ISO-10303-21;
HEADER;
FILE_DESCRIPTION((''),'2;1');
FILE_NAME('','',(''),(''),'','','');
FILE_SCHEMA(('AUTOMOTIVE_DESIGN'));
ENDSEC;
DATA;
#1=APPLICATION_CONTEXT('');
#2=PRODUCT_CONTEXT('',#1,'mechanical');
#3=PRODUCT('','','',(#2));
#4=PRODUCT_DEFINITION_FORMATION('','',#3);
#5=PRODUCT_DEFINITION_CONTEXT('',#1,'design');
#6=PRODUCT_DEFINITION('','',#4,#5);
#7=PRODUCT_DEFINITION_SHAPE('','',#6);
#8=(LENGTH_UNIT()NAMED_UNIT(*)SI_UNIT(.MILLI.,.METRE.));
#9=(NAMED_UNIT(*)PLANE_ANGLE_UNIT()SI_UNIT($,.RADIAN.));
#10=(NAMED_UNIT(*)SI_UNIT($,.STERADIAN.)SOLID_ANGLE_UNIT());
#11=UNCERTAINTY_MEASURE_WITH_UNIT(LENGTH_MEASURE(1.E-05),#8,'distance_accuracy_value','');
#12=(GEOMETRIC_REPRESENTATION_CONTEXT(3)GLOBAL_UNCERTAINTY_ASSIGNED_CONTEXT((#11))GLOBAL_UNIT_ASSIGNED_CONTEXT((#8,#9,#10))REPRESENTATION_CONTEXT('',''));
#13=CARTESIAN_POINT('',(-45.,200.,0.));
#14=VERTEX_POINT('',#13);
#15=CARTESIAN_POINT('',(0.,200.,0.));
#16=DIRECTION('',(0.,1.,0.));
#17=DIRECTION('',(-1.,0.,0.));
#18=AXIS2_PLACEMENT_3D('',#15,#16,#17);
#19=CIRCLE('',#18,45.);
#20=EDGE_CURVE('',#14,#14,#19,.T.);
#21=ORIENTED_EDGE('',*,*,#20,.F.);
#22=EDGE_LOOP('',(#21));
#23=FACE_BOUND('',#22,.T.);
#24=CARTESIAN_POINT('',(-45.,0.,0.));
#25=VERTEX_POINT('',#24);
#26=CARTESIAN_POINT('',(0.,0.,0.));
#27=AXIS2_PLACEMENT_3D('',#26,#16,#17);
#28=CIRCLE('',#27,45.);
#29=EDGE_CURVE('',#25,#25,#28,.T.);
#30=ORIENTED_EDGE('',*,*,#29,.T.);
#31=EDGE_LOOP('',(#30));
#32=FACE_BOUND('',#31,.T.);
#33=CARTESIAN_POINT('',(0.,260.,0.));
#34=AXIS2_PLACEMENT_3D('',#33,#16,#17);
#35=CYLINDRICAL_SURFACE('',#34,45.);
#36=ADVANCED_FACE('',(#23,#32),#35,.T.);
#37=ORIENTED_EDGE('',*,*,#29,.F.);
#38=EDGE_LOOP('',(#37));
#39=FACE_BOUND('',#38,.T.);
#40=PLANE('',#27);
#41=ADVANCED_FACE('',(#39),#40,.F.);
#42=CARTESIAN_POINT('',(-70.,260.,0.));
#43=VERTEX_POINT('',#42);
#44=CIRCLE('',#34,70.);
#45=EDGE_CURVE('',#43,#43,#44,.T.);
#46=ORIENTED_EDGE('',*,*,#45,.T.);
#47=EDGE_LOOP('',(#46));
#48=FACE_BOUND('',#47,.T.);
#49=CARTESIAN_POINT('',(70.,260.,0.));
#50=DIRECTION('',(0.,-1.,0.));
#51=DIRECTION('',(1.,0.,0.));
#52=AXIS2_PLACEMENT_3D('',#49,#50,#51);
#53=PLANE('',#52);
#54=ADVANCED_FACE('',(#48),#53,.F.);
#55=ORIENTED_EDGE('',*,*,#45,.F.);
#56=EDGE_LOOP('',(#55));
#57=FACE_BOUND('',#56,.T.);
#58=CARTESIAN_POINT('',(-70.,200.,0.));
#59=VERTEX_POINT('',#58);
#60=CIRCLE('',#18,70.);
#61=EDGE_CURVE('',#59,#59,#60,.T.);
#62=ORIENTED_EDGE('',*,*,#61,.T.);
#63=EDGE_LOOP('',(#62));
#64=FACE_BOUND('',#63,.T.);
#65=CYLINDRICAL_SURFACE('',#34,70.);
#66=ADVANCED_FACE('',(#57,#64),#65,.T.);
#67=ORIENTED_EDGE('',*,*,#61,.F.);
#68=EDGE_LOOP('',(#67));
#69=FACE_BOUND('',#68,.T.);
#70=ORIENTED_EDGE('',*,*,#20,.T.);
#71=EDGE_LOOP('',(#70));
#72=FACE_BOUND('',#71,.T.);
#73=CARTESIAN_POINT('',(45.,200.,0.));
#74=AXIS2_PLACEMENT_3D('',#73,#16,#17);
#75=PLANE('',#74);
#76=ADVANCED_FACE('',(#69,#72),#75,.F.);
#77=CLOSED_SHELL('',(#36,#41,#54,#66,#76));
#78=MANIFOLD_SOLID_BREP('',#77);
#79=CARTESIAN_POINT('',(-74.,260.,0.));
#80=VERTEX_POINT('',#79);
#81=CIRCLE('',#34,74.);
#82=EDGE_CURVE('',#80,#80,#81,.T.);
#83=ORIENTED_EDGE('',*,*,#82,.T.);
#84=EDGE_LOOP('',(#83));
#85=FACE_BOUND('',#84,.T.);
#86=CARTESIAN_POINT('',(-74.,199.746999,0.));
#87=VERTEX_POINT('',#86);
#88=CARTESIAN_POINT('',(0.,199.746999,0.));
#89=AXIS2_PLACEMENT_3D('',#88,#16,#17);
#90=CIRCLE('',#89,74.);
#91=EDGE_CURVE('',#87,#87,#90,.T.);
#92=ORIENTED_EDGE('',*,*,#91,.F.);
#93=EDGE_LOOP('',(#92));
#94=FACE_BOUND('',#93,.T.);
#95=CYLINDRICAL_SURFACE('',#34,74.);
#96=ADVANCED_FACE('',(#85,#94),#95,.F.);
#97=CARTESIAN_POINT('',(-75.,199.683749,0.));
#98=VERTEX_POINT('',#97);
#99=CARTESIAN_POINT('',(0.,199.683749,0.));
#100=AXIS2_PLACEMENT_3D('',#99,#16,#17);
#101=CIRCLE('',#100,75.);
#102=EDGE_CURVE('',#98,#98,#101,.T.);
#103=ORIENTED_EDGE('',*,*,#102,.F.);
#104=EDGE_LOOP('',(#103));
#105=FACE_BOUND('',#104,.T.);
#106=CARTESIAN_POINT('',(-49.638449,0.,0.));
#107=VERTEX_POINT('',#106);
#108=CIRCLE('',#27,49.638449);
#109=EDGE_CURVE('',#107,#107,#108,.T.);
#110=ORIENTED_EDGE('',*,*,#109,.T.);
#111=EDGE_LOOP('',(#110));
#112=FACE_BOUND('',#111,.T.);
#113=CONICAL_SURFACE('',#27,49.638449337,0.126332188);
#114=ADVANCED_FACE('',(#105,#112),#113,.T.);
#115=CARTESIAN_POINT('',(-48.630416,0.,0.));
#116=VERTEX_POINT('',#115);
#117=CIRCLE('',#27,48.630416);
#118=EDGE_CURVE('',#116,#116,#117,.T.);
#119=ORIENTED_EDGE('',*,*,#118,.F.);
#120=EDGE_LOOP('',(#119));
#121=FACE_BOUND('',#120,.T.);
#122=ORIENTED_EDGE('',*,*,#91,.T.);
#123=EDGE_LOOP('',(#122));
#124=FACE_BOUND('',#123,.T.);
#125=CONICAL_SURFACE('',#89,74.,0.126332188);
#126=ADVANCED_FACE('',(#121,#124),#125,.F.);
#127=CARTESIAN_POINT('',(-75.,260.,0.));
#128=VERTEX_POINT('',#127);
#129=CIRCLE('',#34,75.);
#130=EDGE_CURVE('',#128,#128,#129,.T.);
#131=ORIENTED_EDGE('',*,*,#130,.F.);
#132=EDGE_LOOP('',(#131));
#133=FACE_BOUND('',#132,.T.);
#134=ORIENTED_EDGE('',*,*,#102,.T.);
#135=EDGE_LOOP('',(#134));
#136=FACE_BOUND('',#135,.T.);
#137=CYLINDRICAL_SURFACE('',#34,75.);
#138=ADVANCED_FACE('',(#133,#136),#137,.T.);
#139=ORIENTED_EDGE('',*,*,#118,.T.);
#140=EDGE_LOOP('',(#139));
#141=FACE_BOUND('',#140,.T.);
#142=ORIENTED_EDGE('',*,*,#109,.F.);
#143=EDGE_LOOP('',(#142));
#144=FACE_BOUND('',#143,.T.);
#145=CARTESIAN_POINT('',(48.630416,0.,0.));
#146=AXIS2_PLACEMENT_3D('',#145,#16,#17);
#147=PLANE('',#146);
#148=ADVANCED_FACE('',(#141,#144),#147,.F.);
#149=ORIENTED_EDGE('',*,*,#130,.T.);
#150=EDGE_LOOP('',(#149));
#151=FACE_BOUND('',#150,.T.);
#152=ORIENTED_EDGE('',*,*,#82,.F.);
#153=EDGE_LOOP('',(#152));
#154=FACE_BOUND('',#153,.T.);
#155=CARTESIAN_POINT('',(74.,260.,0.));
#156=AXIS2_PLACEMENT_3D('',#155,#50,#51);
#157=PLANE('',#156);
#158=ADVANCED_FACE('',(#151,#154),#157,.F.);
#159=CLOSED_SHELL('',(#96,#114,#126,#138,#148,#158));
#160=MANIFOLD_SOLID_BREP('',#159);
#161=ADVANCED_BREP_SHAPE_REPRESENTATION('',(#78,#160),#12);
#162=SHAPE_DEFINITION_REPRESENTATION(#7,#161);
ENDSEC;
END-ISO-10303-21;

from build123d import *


with BuildPart() as part:
    # Sketch1 → rough engine (revolve)
    with BuildSketch(Plane.XY, mode=Mode.PRIVATE) as rough_engine_sk:
        Polygon((0, 0), (45, 0), (45, 200), (70, 200), (70, 260), (0, 260), align=None)
    revolve(rough_engine_sk.sketch.rotate(Axis((0, 260, 0), (0, -1, 0)), 180), axis=Axis((0, 260, 0), (0, -1, 0)))


with BuildPart() as body_2:
    # Sketch2 → Revolve2 (revolve)
    with BuildSketch(Plane.XY, mode=Mode.PRIVATE) as revolve2_sk:
        Polygon((75, 260), (75, 199.683748808), (49.638449337, 0), (48.630416014, 0), (74, 199.746999046), (74, 260), align=None)
    revolve(revolve2_sk.sketch.rotate(Axis((0, 260, 0), (0, -1, 0)), 180), axis=Axis((0, 260, 0), (0, -1, 0)))


solid = Compound([part.part, body_2.part])
